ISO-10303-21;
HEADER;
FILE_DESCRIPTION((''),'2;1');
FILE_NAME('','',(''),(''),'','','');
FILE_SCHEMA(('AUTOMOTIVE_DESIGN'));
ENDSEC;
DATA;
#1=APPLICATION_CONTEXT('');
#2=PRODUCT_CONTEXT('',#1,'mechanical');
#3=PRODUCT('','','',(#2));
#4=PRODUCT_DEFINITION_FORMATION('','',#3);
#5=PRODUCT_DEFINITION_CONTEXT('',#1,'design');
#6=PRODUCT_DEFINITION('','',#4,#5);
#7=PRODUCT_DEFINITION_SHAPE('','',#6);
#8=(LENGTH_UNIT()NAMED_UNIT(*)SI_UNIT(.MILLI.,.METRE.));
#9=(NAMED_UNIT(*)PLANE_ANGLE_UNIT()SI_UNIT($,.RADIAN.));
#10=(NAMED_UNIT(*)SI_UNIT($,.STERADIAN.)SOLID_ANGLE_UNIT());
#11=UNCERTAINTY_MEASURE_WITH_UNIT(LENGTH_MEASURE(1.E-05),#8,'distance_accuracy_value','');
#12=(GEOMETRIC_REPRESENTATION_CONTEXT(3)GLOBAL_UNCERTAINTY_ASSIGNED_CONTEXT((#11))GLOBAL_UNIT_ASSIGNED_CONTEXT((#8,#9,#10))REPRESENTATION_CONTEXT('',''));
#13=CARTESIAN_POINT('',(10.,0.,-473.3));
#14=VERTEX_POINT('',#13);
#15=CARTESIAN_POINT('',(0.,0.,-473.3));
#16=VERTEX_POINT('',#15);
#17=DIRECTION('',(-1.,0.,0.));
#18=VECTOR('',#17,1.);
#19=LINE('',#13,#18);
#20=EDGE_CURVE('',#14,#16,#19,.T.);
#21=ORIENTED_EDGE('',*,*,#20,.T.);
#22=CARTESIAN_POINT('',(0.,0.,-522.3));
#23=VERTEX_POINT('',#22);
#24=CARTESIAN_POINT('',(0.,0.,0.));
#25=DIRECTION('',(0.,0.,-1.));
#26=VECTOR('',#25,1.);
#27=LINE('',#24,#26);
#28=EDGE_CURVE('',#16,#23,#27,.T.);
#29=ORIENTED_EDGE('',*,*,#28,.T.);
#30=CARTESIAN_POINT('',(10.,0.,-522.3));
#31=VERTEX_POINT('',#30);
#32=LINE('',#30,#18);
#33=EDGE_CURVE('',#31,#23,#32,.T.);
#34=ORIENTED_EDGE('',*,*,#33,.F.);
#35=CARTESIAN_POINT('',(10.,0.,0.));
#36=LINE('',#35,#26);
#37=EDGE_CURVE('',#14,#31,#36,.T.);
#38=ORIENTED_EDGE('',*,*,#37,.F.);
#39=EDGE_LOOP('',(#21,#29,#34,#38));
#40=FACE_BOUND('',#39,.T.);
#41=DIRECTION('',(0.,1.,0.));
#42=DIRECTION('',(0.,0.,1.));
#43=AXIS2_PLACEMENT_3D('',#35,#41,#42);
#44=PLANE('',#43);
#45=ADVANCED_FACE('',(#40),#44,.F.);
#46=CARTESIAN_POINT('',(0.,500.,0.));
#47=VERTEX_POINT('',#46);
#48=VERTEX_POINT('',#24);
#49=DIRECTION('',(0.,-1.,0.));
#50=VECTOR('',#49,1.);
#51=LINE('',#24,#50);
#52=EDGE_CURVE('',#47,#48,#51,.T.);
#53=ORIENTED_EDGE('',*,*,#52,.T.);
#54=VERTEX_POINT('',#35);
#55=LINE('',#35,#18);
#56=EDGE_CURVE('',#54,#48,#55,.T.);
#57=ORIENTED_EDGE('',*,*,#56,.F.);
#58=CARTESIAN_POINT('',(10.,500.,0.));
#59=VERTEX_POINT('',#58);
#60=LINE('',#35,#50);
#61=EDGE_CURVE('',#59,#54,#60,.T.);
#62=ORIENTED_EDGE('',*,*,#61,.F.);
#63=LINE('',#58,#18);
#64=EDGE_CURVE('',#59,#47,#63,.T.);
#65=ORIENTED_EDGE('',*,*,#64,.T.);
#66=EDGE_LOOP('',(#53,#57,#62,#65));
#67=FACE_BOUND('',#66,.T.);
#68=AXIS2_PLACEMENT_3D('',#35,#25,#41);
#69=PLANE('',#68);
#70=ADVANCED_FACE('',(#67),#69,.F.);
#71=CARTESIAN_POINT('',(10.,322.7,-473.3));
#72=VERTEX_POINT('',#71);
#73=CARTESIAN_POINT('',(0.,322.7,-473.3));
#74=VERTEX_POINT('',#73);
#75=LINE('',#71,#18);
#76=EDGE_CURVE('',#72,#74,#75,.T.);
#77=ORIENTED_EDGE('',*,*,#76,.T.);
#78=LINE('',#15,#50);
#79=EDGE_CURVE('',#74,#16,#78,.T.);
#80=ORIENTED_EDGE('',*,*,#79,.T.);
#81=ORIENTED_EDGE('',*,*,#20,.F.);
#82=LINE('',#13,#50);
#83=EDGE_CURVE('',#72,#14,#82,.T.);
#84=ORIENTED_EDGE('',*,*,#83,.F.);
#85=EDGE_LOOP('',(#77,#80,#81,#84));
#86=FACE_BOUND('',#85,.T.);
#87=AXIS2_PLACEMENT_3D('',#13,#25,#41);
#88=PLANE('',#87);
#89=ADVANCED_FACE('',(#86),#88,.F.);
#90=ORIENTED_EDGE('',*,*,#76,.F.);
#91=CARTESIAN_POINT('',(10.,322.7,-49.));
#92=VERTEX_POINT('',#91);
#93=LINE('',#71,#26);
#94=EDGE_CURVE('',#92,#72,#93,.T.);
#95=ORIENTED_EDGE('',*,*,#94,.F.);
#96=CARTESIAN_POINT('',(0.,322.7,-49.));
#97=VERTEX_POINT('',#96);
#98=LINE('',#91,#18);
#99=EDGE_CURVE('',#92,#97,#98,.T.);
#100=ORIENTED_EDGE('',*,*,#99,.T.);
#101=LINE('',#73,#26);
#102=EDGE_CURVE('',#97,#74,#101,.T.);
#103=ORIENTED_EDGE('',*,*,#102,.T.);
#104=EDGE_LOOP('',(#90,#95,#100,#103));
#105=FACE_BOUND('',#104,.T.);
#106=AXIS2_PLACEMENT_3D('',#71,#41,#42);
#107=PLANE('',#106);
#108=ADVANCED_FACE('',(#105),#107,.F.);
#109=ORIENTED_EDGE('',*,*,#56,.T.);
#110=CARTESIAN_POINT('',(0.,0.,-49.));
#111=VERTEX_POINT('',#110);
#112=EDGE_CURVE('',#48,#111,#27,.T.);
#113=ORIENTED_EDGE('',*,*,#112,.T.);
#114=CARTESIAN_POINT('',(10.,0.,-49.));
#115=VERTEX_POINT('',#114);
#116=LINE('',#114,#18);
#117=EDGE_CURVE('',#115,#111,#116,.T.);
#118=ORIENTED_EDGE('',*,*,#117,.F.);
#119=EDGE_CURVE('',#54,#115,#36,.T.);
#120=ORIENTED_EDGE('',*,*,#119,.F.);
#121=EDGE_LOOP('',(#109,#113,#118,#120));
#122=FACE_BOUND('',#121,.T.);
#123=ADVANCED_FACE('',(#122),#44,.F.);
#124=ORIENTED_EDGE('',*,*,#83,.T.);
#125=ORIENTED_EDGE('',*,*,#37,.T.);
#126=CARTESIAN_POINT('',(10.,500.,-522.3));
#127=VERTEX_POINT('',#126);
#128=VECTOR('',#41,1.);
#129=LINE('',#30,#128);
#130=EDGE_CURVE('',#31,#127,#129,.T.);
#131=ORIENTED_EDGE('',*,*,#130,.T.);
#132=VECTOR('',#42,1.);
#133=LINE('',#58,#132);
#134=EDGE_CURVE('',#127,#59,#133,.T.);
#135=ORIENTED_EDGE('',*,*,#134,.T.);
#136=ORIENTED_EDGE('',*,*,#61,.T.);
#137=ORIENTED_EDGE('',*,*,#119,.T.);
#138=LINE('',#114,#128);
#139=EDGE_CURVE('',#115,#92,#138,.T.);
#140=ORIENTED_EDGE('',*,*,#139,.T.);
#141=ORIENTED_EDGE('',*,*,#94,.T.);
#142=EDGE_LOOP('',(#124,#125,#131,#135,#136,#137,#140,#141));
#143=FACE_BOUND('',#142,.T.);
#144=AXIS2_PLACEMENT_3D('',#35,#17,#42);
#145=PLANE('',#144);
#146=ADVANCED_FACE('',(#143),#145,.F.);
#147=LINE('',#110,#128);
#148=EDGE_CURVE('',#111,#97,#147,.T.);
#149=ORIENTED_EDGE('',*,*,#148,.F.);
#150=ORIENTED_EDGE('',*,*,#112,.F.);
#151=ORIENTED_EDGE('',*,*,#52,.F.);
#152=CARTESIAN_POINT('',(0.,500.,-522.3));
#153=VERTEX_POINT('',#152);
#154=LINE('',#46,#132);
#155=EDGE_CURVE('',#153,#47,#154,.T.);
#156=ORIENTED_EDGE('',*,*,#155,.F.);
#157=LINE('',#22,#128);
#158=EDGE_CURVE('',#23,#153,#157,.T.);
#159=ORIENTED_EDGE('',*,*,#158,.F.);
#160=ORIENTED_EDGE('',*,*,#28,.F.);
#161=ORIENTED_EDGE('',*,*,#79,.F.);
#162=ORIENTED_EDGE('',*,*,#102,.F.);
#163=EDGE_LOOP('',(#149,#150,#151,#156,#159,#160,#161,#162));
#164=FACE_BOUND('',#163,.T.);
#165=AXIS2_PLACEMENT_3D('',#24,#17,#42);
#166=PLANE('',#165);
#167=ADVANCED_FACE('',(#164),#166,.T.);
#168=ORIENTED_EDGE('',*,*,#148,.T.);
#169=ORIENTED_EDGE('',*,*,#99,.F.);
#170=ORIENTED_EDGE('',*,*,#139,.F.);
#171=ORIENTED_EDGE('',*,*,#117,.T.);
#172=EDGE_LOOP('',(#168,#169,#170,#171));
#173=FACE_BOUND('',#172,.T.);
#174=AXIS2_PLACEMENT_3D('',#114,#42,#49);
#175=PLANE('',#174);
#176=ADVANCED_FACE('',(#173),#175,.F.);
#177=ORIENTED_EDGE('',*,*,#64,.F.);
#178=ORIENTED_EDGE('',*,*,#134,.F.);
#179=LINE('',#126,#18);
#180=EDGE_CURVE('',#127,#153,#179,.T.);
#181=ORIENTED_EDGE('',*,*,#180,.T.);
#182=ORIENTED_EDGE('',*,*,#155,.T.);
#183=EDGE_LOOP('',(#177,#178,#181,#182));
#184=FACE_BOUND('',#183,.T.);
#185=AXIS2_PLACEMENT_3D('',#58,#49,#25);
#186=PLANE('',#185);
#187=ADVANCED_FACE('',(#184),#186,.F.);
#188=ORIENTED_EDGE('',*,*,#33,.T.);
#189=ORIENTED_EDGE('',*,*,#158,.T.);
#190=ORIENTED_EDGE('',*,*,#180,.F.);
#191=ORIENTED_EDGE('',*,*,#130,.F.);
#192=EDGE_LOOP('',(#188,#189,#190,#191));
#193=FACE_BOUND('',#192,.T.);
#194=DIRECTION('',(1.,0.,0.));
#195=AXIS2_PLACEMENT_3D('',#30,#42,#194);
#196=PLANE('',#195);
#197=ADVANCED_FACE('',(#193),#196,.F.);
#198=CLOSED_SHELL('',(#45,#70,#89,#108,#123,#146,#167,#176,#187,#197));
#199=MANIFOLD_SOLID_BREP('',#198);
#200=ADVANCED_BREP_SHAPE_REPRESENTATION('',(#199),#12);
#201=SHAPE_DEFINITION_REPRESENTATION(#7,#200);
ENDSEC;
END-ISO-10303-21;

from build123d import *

# Parameters (mm, degrees)
SKETCH1_W           = 522.3
SKETCH1_H           = 500
BOSS_EXTRUDE1_DEPTH = 10
SKETCH2_W           = 424.3
SKETCH2_H           = 322.7
CUT_EXTRUDE1_DEPTH  = 10


with BuildPart() as part:
    # Sketch1 → Boss-Extrude1 (new body)
    with BuildSketch(Plane(origin=(0, 0, 0), x_dir=(0, 0, -1), z_dir=(1, 0, 0))):
        with Locations((261.15, 250)):
            Rectangle(SKETCH1_W, SKETCH1_H)
    extrude(amount=BOSS_EXTRUDE1_DEPTH)

    # Sketch2 → Cut-Extrude1 (cut)
    with BuildSketch(Plane.ZY):
        with Locations((-261.15, 161.35)):
            Rectangle(SKETCH2_W, SKETCH2_H)
    extrude(amount=-CUT_EXTRUDE1_DEPTH, mode=Mode.SUBTRACT)


solid = part.part
